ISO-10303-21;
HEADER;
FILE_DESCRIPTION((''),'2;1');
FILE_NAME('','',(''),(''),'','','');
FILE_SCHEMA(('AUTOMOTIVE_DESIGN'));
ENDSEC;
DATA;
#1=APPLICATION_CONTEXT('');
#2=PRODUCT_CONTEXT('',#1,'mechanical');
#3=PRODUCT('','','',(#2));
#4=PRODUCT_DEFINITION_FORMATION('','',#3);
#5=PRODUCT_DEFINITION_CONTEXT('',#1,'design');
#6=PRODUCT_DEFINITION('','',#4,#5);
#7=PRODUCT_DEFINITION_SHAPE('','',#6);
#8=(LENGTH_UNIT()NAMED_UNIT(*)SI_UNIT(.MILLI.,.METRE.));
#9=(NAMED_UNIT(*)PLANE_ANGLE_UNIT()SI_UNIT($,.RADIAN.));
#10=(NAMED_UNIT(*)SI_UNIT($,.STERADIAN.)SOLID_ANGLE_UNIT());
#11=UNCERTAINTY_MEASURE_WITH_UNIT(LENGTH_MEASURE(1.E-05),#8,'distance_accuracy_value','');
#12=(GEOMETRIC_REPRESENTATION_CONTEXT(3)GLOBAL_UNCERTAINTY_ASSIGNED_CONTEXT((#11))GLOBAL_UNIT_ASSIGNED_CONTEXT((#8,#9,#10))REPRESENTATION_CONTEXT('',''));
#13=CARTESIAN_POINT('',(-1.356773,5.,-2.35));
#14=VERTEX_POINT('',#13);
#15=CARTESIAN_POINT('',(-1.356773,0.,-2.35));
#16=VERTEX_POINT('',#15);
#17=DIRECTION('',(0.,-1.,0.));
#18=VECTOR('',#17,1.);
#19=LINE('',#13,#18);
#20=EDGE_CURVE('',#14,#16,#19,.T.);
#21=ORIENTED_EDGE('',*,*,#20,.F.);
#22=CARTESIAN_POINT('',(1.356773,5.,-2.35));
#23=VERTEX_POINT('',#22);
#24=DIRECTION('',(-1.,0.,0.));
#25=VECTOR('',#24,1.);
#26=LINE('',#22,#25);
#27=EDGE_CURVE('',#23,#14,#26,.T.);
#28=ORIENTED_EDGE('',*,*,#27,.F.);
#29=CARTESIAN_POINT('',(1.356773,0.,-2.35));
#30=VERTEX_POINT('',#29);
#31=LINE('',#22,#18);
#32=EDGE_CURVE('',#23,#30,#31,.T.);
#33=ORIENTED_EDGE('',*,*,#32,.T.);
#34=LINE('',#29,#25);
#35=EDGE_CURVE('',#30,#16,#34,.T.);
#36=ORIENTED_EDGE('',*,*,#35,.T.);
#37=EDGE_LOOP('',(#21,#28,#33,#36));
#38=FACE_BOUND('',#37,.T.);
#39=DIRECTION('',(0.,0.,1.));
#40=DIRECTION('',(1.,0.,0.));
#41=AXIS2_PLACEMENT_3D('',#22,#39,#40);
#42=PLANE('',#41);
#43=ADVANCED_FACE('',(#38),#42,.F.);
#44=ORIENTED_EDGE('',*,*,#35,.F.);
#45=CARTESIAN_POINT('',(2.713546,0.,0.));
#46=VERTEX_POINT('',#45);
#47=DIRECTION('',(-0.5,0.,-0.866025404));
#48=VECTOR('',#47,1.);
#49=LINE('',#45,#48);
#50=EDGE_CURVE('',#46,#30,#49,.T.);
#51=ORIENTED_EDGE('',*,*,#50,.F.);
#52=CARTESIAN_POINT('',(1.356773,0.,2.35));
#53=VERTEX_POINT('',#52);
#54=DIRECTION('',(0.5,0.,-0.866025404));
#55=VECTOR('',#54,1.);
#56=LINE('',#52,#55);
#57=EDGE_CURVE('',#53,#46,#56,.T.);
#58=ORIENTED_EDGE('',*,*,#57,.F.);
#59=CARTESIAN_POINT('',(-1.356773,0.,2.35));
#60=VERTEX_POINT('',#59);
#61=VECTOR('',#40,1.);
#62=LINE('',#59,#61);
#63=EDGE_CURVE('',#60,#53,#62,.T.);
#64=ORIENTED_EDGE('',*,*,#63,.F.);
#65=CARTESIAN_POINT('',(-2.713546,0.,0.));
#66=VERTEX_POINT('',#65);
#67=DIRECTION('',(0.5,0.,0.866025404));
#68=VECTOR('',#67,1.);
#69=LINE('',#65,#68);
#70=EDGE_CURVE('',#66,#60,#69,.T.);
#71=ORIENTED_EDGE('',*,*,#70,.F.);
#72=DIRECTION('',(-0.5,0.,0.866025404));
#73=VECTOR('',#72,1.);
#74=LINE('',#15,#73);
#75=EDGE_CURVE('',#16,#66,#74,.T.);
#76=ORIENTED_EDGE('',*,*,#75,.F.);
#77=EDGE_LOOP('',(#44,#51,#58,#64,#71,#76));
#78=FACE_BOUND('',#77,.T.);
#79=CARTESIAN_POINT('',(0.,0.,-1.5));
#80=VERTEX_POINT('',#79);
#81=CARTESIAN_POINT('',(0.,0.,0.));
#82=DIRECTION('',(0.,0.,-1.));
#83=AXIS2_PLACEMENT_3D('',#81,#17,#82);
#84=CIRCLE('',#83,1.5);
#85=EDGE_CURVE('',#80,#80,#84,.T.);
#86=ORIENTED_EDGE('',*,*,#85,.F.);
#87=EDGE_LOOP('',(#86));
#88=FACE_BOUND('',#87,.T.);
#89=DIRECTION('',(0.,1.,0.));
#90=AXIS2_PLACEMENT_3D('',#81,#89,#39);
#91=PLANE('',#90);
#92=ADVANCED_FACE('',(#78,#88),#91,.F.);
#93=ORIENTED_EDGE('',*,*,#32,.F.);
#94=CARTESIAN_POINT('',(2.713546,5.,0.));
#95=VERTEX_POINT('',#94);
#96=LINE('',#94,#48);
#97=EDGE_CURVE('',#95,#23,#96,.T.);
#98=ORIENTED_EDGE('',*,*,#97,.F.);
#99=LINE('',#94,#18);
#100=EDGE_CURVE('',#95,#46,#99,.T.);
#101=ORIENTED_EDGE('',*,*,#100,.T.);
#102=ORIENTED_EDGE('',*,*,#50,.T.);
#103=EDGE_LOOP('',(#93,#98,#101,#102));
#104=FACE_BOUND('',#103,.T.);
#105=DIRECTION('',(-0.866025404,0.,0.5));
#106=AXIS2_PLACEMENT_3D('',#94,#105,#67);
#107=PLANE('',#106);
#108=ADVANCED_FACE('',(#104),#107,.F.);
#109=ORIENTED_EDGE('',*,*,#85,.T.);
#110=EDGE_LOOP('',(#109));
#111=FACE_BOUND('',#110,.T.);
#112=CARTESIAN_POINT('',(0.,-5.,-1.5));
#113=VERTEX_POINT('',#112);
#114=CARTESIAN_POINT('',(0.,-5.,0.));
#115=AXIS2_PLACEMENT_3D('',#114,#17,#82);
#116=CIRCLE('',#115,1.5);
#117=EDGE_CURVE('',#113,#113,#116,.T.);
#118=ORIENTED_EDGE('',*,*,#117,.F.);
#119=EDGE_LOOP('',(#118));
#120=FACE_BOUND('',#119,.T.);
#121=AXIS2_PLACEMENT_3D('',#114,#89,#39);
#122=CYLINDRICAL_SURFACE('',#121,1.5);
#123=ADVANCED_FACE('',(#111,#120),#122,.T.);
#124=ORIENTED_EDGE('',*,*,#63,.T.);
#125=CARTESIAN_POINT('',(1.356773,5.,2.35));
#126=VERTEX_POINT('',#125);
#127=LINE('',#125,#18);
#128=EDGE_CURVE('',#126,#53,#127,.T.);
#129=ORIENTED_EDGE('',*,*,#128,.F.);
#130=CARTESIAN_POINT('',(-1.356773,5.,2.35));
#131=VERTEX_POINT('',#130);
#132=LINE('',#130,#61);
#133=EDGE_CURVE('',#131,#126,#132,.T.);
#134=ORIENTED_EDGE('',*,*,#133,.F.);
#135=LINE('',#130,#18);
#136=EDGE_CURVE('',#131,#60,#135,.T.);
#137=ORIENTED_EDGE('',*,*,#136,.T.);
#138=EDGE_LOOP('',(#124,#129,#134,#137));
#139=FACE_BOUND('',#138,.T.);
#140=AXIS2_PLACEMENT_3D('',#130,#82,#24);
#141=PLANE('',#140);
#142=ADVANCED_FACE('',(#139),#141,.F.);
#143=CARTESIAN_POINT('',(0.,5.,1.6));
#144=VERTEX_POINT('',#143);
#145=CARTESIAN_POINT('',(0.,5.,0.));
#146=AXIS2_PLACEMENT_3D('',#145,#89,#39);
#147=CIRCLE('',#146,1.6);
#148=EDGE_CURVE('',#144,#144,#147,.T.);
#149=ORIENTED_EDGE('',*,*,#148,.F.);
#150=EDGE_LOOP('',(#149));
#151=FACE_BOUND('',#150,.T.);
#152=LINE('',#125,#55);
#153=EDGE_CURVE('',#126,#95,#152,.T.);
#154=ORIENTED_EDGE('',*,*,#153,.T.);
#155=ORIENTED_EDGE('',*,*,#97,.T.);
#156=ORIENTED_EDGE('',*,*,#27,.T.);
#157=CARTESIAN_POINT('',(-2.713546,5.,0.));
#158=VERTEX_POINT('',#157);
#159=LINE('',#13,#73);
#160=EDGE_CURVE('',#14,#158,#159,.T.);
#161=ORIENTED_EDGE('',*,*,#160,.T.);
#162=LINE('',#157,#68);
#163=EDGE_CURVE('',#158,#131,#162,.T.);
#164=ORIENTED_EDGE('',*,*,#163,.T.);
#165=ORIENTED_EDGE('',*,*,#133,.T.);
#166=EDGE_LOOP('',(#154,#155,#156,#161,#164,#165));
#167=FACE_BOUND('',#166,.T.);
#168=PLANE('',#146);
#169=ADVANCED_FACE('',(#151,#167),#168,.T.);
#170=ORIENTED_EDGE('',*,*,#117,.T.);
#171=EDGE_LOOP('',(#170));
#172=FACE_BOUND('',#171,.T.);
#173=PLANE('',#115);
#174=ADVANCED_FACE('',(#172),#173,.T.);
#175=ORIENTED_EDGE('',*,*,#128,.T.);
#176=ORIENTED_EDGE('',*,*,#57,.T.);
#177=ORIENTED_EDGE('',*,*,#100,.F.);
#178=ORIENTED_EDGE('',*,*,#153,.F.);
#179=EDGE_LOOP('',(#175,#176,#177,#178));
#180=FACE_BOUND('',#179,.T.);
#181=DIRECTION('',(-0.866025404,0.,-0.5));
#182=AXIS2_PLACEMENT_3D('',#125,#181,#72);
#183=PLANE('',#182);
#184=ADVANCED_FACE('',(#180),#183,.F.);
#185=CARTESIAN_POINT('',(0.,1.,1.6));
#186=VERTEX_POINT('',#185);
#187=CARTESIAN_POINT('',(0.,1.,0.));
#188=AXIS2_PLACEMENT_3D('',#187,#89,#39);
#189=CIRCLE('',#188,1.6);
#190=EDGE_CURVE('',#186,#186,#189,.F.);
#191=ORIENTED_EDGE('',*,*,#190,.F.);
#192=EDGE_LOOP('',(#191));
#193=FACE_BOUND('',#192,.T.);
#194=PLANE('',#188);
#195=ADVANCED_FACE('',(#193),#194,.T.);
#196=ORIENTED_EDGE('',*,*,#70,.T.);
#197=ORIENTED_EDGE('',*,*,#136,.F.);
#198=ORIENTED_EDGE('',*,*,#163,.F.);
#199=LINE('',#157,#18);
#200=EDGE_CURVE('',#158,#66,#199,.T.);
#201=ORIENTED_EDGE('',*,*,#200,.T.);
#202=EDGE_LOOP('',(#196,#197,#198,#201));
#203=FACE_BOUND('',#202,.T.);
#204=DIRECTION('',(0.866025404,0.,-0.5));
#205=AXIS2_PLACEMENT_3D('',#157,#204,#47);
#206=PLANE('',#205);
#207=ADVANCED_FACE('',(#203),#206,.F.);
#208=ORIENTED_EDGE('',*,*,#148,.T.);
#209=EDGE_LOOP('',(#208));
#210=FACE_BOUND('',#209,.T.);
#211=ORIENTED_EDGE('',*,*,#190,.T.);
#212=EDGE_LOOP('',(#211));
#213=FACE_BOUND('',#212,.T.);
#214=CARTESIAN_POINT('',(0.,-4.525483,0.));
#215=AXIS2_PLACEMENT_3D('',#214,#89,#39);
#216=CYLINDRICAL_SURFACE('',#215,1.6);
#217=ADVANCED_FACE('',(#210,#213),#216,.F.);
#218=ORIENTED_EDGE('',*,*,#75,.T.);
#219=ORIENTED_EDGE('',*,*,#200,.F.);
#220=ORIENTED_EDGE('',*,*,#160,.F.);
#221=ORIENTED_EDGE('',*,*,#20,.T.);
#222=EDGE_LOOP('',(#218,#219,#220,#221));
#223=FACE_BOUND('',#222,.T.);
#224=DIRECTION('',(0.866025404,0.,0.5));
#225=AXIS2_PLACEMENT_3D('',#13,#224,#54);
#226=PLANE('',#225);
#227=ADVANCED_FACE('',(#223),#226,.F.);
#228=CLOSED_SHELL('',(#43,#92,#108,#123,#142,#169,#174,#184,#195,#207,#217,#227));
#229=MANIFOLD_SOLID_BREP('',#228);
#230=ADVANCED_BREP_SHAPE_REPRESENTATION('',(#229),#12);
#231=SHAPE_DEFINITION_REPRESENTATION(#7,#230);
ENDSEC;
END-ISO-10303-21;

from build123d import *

# Parameters (mm, degrees)
EXTRUDE_1_DEPTH     = 5
SKETCH_2_R          = 1.6
CUT_EXTRUDE_1_DEPTH = 4
SKETCH_3_R          = 1.5
EXTRUDE_2_DEPTH     = 5


with BuildPart() as part:
    # 草图1 → 凸台-拉伸1 (new body)
    with BuildSketch(Plane(origin=(0, 0, 0), x_dir=(1, 0, 0), z_dir=(0, 1, 0))):
        Polygon((2.713546265, 0), (1.356773133, 2.35), (-1.356773133, 2.35), (-2.713546265, 0), (-1.356773133, -2.35), (1.356773133, -2.35), align=None)
    extrude(amount=EXTRUDE_1_DEPTH)

    # 草图2 → 切除-拉伸1 (cut)
    with BuildSketch(Plane(origin=(0, 5, 0), x_dir=(1, 0, 0), z_dir=(0, 1, 0))):
        Circle(SKETCH_2_R)
    extrude(amount=-CUT_EXTRUDE_1_DEPTH, mode=Mode.SUBTRACT)

    # 草图3 → 凸台-拉伸2 (add)
    with BuildSketch(Plane.XZ):
        Circle(SKETCH_3_R)
    extrude(amount=EXTRUDE_2_DEPTH)


solid = part.part
